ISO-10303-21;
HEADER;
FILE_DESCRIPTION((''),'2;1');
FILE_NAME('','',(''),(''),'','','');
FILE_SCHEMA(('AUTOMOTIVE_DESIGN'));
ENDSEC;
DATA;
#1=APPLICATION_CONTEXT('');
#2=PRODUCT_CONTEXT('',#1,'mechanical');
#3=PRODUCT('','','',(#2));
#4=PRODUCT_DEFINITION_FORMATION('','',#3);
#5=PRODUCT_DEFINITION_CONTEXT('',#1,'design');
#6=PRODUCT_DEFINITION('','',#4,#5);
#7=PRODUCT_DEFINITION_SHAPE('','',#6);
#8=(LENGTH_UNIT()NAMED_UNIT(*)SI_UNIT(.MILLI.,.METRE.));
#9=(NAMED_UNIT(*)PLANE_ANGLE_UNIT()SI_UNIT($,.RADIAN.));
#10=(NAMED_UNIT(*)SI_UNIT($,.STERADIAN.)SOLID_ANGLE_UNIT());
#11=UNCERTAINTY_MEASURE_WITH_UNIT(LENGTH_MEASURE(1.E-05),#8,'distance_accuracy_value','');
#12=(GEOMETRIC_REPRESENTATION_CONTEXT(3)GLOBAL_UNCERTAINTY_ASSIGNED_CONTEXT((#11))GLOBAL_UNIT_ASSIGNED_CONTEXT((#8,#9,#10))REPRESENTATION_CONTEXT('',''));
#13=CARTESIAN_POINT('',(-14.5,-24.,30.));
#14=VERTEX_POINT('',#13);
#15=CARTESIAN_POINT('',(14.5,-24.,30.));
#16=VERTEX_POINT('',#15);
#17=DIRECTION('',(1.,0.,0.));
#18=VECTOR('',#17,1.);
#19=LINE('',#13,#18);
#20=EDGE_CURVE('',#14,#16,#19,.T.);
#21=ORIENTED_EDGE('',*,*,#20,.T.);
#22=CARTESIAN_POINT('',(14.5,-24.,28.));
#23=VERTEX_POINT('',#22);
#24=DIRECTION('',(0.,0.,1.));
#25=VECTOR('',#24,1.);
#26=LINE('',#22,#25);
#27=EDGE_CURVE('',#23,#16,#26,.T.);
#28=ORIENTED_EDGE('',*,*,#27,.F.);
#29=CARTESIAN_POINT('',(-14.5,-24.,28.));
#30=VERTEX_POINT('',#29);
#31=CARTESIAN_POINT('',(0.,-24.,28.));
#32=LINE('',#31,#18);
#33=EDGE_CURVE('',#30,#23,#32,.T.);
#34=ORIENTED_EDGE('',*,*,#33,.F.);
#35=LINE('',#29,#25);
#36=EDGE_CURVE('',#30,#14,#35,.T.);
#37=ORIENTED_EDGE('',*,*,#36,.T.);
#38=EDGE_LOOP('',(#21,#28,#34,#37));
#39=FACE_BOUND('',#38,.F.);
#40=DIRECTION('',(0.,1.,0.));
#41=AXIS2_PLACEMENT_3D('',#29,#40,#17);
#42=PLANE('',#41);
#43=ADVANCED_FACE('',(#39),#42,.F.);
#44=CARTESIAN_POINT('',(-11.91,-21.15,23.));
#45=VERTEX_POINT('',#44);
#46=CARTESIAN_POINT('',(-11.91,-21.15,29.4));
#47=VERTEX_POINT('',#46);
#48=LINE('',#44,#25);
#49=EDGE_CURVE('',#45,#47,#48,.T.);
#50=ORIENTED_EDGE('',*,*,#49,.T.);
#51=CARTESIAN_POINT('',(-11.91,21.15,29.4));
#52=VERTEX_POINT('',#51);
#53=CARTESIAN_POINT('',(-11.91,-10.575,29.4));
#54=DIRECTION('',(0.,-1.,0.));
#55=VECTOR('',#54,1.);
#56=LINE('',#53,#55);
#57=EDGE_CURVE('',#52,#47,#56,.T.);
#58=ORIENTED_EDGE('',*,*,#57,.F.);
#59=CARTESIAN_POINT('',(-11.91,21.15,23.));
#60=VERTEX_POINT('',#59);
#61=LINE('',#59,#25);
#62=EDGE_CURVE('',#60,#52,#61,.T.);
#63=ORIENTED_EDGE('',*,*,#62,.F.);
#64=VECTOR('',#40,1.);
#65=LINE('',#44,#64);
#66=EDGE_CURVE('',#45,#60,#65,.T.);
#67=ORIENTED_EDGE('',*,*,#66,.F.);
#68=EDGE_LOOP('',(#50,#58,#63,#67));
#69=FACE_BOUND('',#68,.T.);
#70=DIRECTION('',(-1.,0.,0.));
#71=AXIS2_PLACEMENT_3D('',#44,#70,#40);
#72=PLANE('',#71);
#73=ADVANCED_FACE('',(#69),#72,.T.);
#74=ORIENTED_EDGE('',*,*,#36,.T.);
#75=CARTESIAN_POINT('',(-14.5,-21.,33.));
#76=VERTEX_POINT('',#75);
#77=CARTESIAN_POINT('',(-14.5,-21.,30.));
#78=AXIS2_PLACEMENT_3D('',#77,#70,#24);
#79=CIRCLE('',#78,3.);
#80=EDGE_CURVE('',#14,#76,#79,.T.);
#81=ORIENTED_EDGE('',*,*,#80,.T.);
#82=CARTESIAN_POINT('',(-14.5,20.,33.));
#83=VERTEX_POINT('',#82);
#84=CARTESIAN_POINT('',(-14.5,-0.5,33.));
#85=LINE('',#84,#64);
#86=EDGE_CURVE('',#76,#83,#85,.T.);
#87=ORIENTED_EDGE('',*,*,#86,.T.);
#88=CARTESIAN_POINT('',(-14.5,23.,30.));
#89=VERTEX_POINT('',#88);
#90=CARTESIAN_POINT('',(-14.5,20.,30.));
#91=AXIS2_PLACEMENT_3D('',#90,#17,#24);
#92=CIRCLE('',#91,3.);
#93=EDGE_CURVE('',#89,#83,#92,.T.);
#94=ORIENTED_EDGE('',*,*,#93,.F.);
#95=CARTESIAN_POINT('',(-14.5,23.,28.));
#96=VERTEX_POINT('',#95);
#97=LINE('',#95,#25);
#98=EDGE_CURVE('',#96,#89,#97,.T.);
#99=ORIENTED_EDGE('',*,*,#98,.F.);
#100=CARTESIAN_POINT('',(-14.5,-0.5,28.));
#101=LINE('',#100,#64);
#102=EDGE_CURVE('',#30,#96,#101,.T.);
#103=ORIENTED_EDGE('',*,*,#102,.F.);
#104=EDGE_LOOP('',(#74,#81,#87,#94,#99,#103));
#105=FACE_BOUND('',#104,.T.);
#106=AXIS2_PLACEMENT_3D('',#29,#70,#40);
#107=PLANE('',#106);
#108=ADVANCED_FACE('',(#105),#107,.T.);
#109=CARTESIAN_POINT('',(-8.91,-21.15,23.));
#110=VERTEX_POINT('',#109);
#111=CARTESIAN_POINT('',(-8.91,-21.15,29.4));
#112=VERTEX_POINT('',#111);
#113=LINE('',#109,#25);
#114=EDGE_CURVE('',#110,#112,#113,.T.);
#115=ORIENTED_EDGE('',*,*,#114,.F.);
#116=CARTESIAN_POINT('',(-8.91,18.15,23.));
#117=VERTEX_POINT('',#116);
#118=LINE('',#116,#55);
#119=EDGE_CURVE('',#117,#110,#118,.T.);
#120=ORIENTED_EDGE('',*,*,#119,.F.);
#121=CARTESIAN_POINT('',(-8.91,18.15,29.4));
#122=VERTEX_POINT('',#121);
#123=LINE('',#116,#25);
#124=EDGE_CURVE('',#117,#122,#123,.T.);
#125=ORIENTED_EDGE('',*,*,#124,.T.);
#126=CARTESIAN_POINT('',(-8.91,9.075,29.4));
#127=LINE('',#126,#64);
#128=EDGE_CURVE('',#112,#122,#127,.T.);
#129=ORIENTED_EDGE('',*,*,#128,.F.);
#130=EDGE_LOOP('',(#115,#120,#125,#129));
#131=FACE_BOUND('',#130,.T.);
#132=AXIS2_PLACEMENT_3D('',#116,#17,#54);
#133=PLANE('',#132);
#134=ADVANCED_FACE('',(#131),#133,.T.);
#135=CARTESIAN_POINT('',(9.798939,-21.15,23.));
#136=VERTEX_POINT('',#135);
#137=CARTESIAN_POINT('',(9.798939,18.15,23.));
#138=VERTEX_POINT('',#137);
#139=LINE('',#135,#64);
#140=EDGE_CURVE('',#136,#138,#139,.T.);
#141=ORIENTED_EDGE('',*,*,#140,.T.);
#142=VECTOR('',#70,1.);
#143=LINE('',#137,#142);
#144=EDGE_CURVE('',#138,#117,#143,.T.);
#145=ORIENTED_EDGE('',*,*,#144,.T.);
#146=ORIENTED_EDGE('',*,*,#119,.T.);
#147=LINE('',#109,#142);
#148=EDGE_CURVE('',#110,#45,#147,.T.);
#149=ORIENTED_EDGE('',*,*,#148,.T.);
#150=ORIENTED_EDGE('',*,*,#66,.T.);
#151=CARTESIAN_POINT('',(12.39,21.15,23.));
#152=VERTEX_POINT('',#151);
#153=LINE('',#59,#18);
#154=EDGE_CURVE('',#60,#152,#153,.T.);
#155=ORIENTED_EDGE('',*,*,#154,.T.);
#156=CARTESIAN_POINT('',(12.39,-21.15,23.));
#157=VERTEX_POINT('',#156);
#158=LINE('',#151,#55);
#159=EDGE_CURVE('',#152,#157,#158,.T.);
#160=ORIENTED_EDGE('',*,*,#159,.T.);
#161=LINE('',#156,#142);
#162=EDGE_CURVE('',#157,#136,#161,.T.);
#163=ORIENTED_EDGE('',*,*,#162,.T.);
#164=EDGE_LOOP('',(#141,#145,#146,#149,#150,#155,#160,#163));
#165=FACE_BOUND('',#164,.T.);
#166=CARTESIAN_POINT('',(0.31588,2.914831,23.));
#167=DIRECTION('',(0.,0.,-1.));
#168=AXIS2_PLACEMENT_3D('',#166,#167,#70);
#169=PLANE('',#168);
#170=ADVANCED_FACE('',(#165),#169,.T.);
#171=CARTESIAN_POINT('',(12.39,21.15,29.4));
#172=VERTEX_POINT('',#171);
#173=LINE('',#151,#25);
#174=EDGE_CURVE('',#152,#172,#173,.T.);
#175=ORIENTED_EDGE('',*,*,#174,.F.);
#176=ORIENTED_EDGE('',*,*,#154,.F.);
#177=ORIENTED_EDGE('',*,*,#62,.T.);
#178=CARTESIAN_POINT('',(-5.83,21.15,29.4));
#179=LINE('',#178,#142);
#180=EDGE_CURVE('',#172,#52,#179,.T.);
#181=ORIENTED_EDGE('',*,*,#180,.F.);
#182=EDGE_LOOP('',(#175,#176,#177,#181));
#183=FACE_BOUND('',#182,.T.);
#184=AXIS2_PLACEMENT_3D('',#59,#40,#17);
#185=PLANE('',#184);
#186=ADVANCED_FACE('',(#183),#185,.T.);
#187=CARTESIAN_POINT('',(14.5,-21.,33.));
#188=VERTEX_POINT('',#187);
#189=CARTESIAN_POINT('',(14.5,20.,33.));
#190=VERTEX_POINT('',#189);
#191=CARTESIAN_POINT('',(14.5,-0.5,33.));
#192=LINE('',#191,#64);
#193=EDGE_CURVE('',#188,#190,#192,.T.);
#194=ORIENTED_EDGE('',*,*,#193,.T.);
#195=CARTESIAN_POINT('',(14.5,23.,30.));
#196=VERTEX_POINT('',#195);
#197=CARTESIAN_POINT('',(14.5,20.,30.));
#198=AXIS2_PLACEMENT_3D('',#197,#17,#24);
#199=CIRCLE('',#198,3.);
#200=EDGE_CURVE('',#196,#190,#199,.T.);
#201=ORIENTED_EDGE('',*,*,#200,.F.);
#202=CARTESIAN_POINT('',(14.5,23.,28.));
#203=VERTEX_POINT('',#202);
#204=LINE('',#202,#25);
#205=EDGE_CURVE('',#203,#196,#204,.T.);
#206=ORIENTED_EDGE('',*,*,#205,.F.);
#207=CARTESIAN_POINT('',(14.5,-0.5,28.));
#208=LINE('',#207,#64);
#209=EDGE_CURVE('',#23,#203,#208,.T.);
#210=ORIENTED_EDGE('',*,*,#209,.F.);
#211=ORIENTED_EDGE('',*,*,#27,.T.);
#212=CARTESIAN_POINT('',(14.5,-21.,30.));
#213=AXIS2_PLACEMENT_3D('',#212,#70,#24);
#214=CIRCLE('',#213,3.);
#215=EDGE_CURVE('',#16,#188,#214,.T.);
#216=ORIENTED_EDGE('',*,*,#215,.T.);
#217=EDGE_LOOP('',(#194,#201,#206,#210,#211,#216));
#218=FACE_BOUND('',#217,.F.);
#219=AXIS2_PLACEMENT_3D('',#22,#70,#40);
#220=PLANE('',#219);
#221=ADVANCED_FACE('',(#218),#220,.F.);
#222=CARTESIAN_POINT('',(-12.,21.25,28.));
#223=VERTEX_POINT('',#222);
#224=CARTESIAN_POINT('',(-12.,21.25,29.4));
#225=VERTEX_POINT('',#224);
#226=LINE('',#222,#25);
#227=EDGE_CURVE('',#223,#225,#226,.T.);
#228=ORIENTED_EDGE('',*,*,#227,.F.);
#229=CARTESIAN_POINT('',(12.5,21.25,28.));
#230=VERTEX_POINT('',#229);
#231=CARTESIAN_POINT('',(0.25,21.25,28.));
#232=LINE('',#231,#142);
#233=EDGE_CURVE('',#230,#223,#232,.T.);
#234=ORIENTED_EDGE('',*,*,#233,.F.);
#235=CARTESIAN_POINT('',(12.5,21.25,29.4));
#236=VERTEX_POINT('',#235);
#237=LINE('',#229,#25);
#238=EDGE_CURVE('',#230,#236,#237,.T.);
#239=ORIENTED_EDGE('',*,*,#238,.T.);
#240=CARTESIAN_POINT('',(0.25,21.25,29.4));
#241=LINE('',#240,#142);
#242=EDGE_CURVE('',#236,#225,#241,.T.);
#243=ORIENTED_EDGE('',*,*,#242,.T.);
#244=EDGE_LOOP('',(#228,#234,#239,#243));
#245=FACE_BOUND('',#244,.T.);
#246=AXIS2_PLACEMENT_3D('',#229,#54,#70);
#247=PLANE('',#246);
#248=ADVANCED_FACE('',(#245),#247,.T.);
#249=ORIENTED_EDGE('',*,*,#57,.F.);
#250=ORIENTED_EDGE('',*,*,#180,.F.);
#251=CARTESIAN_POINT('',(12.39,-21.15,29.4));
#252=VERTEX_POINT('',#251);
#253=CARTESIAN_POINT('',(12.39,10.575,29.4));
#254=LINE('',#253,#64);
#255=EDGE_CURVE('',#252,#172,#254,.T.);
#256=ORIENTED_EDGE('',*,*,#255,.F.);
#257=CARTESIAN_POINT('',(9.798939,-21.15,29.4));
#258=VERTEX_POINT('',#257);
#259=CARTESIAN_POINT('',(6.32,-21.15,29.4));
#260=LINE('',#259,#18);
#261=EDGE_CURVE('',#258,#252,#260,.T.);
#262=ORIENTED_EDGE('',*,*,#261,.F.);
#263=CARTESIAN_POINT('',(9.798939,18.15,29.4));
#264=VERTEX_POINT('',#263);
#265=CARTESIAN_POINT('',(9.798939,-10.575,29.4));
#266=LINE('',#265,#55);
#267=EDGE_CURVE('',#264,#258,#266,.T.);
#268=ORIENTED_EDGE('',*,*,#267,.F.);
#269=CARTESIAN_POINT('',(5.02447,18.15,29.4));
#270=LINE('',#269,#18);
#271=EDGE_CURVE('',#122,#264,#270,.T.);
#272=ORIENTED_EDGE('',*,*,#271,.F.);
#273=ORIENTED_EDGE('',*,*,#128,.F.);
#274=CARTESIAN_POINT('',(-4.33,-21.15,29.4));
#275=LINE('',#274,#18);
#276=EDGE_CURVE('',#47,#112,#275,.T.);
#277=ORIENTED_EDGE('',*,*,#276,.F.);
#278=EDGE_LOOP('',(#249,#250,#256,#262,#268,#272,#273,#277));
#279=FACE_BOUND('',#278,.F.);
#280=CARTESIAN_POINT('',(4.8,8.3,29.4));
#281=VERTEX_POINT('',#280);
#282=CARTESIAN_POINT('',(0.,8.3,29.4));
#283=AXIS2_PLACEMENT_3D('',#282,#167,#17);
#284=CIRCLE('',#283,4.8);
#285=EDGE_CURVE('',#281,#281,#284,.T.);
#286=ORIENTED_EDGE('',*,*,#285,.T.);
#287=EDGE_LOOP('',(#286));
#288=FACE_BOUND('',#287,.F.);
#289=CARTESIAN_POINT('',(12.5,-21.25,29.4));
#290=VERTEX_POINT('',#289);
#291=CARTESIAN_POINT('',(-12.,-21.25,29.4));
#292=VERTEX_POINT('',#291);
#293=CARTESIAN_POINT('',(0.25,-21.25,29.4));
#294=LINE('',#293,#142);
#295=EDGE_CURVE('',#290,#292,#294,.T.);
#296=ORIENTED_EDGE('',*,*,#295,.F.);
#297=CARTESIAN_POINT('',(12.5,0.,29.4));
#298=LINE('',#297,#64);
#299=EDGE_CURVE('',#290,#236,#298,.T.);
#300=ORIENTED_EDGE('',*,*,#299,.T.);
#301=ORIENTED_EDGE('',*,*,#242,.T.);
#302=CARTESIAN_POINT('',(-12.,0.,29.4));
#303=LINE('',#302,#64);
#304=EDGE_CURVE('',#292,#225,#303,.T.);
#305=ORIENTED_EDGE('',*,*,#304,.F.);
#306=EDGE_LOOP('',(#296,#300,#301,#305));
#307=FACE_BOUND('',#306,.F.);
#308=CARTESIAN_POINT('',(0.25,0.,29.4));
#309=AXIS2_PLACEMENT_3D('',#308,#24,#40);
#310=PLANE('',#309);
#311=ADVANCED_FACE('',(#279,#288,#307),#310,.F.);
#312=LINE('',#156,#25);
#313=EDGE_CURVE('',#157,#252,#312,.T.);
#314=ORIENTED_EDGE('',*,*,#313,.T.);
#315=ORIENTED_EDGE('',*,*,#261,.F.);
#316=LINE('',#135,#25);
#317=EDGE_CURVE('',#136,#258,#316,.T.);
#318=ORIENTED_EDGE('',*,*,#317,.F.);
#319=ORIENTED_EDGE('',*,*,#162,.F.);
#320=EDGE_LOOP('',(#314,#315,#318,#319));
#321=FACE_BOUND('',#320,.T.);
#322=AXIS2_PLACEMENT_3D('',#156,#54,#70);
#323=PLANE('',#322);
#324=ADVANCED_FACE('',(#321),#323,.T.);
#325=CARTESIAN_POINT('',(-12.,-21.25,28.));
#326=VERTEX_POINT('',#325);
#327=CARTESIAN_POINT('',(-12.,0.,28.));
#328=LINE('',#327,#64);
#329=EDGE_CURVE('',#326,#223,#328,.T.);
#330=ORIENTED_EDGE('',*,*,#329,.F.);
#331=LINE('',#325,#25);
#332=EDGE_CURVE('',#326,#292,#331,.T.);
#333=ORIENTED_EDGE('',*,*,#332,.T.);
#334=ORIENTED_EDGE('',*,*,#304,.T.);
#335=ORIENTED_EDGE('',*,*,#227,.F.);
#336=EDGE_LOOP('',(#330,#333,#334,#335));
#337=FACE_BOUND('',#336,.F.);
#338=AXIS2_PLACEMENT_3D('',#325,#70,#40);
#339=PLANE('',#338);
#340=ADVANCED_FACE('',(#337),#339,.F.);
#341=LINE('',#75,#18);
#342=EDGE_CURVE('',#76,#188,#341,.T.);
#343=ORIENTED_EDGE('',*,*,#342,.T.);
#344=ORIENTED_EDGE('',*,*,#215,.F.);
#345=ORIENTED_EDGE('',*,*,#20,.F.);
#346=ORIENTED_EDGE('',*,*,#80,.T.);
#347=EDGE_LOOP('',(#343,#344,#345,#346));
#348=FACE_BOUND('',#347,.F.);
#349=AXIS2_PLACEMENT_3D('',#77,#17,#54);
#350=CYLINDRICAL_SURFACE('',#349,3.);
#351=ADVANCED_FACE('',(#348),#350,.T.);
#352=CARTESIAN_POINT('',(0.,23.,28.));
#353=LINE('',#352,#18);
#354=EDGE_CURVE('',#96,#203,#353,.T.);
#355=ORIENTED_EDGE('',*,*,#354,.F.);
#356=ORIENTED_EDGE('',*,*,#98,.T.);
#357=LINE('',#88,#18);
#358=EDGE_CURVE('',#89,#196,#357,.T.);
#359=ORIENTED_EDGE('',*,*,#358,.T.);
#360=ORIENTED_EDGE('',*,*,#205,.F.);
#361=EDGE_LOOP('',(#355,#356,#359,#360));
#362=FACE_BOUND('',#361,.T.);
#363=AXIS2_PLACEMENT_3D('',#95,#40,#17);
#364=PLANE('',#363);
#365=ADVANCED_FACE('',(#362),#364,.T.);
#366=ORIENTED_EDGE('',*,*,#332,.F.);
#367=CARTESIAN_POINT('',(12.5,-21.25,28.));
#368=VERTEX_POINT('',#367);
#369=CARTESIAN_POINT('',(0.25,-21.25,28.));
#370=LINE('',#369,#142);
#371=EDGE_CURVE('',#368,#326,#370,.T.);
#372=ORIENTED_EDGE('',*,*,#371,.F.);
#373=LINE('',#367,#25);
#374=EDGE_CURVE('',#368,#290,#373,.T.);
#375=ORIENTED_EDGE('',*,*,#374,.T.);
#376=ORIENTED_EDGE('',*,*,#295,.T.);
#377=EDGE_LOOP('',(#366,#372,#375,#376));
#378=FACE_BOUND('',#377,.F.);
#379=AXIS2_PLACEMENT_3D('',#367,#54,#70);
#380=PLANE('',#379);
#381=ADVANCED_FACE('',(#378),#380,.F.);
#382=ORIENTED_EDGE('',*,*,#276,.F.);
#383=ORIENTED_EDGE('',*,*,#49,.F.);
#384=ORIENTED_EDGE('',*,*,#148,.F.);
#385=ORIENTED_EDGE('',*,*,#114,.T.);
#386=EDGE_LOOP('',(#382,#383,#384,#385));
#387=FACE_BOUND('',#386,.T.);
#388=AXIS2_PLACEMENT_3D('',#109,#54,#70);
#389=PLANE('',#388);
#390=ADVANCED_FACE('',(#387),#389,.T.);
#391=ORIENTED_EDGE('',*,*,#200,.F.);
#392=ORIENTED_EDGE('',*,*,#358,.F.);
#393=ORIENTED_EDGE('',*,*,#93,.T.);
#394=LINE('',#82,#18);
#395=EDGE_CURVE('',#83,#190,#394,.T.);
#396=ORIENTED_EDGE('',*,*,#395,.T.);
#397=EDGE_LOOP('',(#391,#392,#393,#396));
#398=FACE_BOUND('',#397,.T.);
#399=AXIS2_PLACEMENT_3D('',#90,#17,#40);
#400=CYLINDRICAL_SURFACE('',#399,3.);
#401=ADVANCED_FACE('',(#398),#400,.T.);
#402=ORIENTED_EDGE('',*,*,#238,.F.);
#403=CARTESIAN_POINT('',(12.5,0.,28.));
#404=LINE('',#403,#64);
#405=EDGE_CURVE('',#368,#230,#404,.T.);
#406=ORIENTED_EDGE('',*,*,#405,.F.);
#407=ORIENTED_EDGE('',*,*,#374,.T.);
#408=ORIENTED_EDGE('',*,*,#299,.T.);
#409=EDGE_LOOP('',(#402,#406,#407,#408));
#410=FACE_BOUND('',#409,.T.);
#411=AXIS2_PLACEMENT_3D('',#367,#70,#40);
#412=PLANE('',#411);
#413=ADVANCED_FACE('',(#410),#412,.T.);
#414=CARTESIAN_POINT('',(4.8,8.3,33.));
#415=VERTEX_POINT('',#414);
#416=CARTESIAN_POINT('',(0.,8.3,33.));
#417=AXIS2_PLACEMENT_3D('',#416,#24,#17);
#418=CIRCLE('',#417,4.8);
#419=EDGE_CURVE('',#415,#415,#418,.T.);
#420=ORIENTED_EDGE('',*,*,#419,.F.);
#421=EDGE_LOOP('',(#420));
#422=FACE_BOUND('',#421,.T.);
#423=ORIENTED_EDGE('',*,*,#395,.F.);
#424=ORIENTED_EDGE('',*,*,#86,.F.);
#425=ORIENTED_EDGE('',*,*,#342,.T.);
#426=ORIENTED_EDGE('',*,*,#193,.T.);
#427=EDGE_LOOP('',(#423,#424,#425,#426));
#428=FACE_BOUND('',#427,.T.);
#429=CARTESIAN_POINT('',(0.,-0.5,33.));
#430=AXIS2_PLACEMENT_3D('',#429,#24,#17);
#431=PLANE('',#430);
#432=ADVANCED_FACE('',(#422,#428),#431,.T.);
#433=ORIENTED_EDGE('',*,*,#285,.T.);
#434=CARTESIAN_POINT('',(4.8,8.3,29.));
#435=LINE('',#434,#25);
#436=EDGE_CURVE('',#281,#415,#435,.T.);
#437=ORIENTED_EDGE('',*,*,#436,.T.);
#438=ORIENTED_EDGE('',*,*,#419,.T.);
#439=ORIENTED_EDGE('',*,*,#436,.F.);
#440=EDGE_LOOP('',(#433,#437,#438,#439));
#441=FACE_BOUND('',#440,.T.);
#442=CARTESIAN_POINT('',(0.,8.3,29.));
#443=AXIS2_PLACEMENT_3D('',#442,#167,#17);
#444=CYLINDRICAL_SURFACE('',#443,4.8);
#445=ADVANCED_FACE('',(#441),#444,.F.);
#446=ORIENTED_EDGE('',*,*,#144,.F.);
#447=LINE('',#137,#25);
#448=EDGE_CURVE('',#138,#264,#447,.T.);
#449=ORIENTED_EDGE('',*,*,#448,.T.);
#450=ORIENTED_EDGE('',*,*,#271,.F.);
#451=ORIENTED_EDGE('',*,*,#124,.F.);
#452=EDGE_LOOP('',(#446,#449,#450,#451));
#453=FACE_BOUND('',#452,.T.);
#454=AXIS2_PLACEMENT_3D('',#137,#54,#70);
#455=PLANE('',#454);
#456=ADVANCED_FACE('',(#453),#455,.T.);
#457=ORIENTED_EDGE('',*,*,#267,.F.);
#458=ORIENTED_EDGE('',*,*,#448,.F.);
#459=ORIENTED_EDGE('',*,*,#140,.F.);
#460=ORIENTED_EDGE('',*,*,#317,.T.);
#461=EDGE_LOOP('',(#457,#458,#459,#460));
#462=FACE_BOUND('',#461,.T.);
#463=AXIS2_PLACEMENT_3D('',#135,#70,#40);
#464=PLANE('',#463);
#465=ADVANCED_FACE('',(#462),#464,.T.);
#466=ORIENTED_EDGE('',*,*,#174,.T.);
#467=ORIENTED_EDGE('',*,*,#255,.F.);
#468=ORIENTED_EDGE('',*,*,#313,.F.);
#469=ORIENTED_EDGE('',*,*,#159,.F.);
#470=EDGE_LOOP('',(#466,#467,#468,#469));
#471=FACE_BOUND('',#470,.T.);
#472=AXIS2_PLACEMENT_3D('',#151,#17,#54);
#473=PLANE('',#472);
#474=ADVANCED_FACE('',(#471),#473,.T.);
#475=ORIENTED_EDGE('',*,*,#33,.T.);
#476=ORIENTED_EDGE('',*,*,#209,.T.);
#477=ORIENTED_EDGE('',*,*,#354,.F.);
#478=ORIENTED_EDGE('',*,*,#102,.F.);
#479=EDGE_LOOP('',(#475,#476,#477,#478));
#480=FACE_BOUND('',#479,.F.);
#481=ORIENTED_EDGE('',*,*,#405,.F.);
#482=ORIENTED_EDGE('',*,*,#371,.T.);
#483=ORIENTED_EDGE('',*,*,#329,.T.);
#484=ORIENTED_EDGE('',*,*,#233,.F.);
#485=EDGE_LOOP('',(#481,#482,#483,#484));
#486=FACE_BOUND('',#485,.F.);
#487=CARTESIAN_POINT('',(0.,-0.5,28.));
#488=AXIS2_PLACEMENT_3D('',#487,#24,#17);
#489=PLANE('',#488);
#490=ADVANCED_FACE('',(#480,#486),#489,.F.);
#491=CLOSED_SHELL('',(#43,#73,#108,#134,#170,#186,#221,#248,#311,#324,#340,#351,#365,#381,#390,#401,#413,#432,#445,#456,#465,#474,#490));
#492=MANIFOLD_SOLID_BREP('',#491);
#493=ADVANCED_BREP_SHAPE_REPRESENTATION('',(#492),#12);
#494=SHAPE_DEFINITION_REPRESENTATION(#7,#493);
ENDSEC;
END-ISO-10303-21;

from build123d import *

# Parameters (mm, degrees)
PAD002_DEPTH = 7
SKETCH001_R  = 4.8
PAD001_DEPTH = 4
BOX002_W     = 42.5
BOX002_H     = 24.5
BOX002_DEPTH = 1.4
BOX001_W     = 29
BOX001_H     = 47
BOX001_DEPTH = 5
FILLET002_R  = 3


with BuildPart() as body002:
    # Sketch002 → Pad002 (new body)
    with BuildSketch(Plane.XY):
        Polygon((-12.15, -21.15), (-12.15, 21.15), (12.15, 21.15), (12.15, -21.15), (9.558939, -21.15), (9.558939, 18.15), (-9.15, 18.15), (-9.15, -21.15), align=None)
    extrude(amount=PAD002_DEPTH)


with BuildPart() as body002_1:
    # Body002 placement: moved
    add(body002.part.moved(Location((0.24, 0, 23))))


with BuildPart() as body001:
    # Sketch001 → Pad001 (new body)
    with BuildSketch(Plane.XY):
        with Locations((0, 8.3)):
            Circle(SKETCH001_R)
    extrude(amount=PAD001_DEPTH)


with BuildPart() as body001_1:
    # Body001 placement: moved
    add(body001.part.moved(Location((0, 0, 29))))


with BuildPart() as cube002:
    # Box002 → Box002 (new body)
    with BuildSketch(Plane(origin=(12.5, -21.25, 13), x_dir=(0, 1, 0), z_dir=(0, 0, 1))):
        with Locations((21.25, 12.25)):
            Rectangle(BOX002_W, BOX002_H)
    extrude(amount=BOX002_DEPTH)


with BuildPart() as top:
    # Box001 → Box001 (new body)
    with BuildSketch(Plane(origin=(-14.5, -24, 13), x_dir=(1, 0, 0), z_dir=(0, 0, 1))):
        with Locations((14.5, 23.5)):
            Rectangle(BOX001_W, BOX001_H)
    extrude(amount=BOX001_DEPTH)

    # Cut001: cut Cube002
    add(cube002.part, mode=Mode.SUBTRACT)

    # Fillet002
    fillet002_edges = [top.edges().sort_by_distance(p)[0] for p in [
        (0, -24, 18),
        (0, 23, 18),
    ]]
    fillet(fillet002_edges, radius=FILLET002_R)


with BuildPart() as top_1:
    # Fillet002 placement: moved
    add(top.part.moved(Location((0, 0, 15))))

    # Cut002: cut Body001
    add(body001_1.part, mode=Mode.SUBTRACT)

    # Fusion: union Body002
    add(body002_1.part)


solid = top_1.part
